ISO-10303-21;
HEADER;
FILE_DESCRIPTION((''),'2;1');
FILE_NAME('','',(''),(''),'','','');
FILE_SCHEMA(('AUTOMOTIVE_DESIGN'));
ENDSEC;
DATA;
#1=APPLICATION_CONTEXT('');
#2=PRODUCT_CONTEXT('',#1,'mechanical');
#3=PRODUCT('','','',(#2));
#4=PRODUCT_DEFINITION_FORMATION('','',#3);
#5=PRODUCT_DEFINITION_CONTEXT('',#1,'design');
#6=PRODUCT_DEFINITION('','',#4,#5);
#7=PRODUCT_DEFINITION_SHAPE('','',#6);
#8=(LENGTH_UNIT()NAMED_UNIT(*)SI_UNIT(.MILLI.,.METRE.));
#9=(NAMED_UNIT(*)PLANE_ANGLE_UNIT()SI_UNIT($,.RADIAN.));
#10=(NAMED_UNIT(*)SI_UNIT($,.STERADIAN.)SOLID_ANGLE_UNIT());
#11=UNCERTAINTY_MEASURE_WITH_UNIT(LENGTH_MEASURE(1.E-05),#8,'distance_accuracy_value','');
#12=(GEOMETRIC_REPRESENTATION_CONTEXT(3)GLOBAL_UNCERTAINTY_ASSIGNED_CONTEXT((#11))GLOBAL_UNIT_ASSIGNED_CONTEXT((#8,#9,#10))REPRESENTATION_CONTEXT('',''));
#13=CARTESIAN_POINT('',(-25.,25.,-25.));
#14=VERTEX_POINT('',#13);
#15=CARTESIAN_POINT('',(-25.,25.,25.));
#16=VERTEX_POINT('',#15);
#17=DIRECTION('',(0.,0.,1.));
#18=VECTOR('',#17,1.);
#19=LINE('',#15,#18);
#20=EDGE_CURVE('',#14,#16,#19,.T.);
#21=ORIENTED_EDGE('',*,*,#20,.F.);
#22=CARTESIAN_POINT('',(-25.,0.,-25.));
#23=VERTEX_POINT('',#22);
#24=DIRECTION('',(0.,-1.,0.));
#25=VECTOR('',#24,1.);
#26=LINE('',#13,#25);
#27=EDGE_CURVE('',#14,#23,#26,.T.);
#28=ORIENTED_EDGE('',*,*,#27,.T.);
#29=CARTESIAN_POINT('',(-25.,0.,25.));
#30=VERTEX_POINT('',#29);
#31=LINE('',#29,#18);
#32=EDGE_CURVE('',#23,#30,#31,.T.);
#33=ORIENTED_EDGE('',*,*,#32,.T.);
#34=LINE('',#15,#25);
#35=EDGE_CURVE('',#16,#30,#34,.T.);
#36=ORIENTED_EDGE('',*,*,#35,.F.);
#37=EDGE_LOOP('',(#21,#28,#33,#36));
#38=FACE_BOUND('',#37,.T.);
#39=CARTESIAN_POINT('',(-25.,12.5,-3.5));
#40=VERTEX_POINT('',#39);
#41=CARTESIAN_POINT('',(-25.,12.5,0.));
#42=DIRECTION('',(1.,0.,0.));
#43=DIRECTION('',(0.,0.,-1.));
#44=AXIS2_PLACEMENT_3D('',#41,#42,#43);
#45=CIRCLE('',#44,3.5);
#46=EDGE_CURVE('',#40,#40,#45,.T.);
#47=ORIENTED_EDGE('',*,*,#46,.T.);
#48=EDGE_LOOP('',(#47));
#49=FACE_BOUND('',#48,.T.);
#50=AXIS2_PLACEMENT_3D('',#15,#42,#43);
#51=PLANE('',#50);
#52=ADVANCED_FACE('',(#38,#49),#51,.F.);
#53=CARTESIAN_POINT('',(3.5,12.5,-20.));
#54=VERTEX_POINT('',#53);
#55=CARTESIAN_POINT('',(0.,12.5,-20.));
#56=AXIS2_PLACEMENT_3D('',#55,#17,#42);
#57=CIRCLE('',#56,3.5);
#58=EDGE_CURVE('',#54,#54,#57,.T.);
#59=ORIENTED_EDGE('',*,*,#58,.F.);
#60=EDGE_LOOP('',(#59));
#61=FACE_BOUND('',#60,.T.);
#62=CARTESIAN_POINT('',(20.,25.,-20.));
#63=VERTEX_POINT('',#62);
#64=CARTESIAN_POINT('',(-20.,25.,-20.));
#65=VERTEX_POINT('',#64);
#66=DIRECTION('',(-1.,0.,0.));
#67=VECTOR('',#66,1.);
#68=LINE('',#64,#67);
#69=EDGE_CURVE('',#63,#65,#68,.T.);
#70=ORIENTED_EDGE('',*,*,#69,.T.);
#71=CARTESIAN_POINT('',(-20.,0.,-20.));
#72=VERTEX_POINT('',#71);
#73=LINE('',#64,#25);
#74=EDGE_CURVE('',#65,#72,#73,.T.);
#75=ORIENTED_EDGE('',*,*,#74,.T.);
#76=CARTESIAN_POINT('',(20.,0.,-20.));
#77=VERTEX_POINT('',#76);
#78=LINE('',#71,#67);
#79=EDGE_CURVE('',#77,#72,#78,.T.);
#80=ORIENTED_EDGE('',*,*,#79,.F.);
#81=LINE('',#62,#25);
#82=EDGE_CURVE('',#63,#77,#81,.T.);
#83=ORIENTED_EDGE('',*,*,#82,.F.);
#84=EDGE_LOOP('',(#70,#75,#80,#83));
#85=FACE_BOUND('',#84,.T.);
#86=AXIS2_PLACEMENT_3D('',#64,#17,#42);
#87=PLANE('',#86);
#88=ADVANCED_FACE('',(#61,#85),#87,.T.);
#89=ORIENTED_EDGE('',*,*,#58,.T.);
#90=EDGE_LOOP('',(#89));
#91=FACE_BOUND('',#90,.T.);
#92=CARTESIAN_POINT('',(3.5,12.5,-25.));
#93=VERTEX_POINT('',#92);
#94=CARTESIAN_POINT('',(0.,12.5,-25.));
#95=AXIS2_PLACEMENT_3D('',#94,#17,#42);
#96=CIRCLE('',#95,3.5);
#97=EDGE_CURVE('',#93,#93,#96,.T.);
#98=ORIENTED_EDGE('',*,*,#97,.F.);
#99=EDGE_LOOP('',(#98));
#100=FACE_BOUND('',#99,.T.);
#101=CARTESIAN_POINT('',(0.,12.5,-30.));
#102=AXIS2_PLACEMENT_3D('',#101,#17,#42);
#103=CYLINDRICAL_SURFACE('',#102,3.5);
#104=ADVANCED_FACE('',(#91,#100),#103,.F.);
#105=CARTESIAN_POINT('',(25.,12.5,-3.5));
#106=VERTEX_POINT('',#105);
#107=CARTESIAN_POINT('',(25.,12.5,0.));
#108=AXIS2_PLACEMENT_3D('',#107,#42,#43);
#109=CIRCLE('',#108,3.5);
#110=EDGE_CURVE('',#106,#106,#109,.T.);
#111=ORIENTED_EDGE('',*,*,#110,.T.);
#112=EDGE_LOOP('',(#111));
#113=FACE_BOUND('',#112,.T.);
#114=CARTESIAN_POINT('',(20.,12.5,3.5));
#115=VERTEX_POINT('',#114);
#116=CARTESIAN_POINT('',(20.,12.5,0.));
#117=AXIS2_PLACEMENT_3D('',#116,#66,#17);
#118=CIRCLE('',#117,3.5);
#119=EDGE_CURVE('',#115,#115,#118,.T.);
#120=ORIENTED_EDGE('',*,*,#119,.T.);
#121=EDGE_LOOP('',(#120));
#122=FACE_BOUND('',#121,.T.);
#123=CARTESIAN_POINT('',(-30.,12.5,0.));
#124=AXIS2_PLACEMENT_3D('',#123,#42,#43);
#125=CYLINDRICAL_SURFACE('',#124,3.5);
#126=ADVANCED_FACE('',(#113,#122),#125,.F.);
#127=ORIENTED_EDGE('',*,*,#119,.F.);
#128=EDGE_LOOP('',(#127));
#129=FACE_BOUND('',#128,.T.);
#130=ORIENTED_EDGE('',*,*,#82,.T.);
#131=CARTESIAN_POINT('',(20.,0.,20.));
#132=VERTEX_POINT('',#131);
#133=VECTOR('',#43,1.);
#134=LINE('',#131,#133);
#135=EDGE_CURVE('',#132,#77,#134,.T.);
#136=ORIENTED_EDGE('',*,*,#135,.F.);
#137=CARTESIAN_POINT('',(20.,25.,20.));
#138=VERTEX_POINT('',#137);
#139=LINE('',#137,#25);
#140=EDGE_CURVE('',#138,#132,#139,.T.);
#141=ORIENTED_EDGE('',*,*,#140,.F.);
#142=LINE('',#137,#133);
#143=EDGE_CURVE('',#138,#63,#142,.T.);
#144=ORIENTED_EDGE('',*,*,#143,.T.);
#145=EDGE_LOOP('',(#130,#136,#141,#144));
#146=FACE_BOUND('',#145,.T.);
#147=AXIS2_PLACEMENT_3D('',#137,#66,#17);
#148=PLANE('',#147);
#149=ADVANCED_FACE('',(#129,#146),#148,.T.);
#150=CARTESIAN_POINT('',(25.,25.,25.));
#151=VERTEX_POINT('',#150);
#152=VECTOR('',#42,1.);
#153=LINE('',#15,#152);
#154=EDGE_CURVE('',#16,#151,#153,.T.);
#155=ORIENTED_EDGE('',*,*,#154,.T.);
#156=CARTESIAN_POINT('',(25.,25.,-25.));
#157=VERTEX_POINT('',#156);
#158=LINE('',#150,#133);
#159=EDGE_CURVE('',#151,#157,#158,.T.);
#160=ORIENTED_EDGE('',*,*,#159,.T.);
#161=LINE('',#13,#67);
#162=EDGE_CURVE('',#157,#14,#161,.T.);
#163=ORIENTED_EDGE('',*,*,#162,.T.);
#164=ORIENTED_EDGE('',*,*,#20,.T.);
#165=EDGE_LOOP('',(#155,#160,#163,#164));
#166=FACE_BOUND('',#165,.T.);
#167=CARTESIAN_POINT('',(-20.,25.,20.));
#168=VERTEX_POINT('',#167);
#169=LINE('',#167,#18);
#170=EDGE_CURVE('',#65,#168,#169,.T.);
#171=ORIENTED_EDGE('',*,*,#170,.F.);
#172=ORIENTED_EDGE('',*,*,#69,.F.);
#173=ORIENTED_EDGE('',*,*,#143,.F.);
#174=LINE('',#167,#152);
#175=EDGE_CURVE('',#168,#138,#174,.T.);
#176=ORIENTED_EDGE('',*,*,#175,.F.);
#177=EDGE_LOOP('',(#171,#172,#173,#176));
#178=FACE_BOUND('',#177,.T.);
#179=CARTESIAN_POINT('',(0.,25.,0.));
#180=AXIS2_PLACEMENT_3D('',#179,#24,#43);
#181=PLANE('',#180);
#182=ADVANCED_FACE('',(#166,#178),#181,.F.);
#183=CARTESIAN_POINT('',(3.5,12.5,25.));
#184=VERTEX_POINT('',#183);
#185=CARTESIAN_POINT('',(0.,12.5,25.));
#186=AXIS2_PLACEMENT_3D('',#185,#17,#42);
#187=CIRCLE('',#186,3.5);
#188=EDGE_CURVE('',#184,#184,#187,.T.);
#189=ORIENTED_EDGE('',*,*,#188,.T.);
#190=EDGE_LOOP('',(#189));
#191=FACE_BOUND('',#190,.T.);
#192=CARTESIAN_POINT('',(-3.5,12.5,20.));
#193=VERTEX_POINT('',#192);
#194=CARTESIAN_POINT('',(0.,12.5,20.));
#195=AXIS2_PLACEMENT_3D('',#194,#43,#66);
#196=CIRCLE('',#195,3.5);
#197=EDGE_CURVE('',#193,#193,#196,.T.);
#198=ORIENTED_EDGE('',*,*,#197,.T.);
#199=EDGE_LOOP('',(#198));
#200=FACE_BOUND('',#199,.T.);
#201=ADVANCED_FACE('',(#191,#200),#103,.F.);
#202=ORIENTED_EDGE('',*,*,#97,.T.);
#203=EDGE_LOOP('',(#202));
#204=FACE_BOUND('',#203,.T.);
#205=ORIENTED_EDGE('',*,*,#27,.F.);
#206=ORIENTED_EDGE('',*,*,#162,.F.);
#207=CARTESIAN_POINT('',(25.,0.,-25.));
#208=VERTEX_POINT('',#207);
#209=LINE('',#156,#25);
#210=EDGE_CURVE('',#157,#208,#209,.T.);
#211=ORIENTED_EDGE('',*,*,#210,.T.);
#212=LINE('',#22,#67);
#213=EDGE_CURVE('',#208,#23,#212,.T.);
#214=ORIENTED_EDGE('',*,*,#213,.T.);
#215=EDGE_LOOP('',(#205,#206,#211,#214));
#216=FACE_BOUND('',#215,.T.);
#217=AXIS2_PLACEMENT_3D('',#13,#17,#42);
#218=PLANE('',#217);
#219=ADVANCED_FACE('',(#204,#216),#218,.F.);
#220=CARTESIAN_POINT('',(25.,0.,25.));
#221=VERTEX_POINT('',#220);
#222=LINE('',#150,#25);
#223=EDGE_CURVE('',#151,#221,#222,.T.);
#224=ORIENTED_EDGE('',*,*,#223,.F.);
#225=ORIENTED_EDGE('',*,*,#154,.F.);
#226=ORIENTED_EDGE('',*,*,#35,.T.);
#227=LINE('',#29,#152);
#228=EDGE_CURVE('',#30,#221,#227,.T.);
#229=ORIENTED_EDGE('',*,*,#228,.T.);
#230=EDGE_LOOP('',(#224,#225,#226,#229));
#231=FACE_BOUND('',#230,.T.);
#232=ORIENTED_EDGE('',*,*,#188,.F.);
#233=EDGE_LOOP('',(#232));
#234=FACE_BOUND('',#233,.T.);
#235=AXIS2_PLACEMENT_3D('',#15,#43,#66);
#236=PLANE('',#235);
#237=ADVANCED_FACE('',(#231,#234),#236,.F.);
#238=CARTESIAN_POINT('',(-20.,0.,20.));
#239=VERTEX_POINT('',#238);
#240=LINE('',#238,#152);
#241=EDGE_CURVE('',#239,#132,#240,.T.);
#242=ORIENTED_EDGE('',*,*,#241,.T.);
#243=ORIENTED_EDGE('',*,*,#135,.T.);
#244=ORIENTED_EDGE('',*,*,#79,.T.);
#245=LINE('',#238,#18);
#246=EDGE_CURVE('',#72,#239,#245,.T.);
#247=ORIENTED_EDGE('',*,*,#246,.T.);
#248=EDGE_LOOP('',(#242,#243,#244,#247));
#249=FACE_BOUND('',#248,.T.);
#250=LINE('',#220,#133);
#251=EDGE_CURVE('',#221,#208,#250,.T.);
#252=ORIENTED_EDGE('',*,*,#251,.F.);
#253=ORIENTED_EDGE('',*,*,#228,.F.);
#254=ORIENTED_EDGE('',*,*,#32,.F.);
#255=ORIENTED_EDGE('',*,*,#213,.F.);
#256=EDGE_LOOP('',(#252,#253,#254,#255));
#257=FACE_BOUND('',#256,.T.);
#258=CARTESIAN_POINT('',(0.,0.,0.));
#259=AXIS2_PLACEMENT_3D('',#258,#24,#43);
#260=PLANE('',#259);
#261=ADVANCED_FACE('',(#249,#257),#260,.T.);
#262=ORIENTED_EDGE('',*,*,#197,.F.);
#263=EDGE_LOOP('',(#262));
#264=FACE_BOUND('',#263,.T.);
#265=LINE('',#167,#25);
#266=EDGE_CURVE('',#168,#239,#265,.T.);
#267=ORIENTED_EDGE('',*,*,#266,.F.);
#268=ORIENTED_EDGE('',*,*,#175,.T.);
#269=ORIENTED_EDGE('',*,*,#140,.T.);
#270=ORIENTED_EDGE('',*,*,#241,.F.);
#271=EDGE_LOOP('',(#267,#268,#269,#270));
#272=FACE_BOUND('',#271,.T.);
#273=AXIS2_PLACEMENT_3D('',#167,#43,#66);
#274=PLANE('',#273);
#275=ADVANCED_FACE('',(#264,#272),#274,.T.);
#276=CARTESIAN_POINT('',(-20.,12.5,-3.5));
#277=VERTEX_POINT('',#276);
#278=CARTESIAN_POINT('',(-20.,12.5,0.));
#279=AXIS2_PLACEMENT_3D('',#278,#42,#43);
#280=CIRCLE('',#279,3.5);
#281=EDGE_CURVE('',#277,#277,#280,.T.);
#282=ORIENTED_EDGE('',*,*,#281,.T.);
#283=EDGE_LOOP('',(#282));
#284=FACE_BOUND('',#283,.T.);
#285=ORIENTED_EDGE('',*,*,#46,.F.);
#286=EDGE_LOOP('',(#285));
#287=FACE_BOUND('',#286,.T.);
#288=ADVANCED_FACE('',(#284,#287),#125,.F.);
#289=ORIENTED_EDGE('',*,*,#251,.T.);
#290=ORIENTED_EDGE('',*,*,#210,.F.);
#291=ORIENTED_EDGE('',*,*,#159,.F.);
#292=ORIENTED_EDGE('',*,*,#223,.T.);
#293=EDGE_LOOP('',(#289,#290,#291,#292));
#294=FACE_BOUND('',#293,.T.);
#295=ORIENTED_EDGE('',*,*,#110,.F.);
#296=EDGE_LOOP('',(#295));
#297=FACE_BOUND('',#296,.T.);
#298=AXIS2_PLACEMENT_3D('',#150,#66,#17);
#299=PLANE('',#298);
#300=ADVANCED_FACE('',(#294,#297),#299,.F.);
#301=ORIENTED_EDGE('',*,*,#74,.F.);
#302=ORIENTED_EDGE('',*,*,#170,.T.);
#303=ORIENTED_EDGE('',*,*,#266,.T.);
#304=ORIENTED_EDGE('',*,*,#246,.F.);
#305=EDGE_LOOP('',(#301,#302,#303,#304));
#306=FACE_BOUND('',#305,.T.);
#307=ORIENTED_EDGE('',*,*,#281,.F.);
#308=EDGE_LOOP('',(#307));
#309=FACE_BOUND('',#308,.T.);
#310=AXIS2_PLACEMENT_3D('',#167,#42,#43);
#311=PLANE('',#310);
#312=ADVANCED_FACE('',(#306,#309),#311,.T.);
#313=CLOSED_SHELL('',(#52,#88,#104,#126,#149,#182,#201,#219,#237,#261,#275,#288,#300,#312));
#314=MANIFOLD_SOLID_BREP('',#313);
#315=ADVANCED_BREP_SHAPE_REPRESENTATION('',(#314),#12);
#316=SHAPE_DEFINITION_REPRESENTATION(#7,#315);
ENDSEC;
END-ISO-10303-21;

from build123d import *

# Parameters (mm, degrees)
SKETCH1_W           = 50
SKETCH1_H           = 50
SKETCH1_W_2         = 40
SKETCH1_H_2         = 40
BOSS_EXTRUDE1_DEPTH = 25
SKETCH2_R           = 3.5
CUT_EXTRUDE1_DEPTH  = 55
SKETCH3_R           = 3.5
CUT_EXTRUDE2_DEPTH  = 55


with BuildPart() as part:
    # Sketch1 → Boss-Extrude1 (new body)
    with BuildSketch(Plane(origin=(0, 0, 0), x_dir=(1, 0, 0), z_dir=(0, 1, 0))):
        Rectangle(SKETCH1_W, SKETCH1_H)
        Rectangle(SKETCH1_W_2, SKETCH1_H_2, mode=Mode.SUBTRACT)
    extrude(amount=BOSS_EXTRUDE1_DEPTH)

    # Sketch2 → Cut-Extrude1 (cut)
    with BuildSketch(Plane(origin=(25, 0, 0), x_dir=(0, 0, -1), z_dir=(1, 0, 0))):
        with Locations((0, 12.5)):
            Circle(SKETCH2_R)
    extrude(amount=-CUT_EXTRUDE1_DEPTH, mode=Mode.SUBTRACT)

    # Sketch3 → Cut-Extrude2 (cut)
    with BuildSketch(Plane.XY.offset(25)):
        with Locations((0, 12.5)):
            Circle(SKETCH3_R)
    extrude(amount=-CUT_EXTRUDE2_DEPTH, mode=Mode.SUBTRACT)


solid = part.part
